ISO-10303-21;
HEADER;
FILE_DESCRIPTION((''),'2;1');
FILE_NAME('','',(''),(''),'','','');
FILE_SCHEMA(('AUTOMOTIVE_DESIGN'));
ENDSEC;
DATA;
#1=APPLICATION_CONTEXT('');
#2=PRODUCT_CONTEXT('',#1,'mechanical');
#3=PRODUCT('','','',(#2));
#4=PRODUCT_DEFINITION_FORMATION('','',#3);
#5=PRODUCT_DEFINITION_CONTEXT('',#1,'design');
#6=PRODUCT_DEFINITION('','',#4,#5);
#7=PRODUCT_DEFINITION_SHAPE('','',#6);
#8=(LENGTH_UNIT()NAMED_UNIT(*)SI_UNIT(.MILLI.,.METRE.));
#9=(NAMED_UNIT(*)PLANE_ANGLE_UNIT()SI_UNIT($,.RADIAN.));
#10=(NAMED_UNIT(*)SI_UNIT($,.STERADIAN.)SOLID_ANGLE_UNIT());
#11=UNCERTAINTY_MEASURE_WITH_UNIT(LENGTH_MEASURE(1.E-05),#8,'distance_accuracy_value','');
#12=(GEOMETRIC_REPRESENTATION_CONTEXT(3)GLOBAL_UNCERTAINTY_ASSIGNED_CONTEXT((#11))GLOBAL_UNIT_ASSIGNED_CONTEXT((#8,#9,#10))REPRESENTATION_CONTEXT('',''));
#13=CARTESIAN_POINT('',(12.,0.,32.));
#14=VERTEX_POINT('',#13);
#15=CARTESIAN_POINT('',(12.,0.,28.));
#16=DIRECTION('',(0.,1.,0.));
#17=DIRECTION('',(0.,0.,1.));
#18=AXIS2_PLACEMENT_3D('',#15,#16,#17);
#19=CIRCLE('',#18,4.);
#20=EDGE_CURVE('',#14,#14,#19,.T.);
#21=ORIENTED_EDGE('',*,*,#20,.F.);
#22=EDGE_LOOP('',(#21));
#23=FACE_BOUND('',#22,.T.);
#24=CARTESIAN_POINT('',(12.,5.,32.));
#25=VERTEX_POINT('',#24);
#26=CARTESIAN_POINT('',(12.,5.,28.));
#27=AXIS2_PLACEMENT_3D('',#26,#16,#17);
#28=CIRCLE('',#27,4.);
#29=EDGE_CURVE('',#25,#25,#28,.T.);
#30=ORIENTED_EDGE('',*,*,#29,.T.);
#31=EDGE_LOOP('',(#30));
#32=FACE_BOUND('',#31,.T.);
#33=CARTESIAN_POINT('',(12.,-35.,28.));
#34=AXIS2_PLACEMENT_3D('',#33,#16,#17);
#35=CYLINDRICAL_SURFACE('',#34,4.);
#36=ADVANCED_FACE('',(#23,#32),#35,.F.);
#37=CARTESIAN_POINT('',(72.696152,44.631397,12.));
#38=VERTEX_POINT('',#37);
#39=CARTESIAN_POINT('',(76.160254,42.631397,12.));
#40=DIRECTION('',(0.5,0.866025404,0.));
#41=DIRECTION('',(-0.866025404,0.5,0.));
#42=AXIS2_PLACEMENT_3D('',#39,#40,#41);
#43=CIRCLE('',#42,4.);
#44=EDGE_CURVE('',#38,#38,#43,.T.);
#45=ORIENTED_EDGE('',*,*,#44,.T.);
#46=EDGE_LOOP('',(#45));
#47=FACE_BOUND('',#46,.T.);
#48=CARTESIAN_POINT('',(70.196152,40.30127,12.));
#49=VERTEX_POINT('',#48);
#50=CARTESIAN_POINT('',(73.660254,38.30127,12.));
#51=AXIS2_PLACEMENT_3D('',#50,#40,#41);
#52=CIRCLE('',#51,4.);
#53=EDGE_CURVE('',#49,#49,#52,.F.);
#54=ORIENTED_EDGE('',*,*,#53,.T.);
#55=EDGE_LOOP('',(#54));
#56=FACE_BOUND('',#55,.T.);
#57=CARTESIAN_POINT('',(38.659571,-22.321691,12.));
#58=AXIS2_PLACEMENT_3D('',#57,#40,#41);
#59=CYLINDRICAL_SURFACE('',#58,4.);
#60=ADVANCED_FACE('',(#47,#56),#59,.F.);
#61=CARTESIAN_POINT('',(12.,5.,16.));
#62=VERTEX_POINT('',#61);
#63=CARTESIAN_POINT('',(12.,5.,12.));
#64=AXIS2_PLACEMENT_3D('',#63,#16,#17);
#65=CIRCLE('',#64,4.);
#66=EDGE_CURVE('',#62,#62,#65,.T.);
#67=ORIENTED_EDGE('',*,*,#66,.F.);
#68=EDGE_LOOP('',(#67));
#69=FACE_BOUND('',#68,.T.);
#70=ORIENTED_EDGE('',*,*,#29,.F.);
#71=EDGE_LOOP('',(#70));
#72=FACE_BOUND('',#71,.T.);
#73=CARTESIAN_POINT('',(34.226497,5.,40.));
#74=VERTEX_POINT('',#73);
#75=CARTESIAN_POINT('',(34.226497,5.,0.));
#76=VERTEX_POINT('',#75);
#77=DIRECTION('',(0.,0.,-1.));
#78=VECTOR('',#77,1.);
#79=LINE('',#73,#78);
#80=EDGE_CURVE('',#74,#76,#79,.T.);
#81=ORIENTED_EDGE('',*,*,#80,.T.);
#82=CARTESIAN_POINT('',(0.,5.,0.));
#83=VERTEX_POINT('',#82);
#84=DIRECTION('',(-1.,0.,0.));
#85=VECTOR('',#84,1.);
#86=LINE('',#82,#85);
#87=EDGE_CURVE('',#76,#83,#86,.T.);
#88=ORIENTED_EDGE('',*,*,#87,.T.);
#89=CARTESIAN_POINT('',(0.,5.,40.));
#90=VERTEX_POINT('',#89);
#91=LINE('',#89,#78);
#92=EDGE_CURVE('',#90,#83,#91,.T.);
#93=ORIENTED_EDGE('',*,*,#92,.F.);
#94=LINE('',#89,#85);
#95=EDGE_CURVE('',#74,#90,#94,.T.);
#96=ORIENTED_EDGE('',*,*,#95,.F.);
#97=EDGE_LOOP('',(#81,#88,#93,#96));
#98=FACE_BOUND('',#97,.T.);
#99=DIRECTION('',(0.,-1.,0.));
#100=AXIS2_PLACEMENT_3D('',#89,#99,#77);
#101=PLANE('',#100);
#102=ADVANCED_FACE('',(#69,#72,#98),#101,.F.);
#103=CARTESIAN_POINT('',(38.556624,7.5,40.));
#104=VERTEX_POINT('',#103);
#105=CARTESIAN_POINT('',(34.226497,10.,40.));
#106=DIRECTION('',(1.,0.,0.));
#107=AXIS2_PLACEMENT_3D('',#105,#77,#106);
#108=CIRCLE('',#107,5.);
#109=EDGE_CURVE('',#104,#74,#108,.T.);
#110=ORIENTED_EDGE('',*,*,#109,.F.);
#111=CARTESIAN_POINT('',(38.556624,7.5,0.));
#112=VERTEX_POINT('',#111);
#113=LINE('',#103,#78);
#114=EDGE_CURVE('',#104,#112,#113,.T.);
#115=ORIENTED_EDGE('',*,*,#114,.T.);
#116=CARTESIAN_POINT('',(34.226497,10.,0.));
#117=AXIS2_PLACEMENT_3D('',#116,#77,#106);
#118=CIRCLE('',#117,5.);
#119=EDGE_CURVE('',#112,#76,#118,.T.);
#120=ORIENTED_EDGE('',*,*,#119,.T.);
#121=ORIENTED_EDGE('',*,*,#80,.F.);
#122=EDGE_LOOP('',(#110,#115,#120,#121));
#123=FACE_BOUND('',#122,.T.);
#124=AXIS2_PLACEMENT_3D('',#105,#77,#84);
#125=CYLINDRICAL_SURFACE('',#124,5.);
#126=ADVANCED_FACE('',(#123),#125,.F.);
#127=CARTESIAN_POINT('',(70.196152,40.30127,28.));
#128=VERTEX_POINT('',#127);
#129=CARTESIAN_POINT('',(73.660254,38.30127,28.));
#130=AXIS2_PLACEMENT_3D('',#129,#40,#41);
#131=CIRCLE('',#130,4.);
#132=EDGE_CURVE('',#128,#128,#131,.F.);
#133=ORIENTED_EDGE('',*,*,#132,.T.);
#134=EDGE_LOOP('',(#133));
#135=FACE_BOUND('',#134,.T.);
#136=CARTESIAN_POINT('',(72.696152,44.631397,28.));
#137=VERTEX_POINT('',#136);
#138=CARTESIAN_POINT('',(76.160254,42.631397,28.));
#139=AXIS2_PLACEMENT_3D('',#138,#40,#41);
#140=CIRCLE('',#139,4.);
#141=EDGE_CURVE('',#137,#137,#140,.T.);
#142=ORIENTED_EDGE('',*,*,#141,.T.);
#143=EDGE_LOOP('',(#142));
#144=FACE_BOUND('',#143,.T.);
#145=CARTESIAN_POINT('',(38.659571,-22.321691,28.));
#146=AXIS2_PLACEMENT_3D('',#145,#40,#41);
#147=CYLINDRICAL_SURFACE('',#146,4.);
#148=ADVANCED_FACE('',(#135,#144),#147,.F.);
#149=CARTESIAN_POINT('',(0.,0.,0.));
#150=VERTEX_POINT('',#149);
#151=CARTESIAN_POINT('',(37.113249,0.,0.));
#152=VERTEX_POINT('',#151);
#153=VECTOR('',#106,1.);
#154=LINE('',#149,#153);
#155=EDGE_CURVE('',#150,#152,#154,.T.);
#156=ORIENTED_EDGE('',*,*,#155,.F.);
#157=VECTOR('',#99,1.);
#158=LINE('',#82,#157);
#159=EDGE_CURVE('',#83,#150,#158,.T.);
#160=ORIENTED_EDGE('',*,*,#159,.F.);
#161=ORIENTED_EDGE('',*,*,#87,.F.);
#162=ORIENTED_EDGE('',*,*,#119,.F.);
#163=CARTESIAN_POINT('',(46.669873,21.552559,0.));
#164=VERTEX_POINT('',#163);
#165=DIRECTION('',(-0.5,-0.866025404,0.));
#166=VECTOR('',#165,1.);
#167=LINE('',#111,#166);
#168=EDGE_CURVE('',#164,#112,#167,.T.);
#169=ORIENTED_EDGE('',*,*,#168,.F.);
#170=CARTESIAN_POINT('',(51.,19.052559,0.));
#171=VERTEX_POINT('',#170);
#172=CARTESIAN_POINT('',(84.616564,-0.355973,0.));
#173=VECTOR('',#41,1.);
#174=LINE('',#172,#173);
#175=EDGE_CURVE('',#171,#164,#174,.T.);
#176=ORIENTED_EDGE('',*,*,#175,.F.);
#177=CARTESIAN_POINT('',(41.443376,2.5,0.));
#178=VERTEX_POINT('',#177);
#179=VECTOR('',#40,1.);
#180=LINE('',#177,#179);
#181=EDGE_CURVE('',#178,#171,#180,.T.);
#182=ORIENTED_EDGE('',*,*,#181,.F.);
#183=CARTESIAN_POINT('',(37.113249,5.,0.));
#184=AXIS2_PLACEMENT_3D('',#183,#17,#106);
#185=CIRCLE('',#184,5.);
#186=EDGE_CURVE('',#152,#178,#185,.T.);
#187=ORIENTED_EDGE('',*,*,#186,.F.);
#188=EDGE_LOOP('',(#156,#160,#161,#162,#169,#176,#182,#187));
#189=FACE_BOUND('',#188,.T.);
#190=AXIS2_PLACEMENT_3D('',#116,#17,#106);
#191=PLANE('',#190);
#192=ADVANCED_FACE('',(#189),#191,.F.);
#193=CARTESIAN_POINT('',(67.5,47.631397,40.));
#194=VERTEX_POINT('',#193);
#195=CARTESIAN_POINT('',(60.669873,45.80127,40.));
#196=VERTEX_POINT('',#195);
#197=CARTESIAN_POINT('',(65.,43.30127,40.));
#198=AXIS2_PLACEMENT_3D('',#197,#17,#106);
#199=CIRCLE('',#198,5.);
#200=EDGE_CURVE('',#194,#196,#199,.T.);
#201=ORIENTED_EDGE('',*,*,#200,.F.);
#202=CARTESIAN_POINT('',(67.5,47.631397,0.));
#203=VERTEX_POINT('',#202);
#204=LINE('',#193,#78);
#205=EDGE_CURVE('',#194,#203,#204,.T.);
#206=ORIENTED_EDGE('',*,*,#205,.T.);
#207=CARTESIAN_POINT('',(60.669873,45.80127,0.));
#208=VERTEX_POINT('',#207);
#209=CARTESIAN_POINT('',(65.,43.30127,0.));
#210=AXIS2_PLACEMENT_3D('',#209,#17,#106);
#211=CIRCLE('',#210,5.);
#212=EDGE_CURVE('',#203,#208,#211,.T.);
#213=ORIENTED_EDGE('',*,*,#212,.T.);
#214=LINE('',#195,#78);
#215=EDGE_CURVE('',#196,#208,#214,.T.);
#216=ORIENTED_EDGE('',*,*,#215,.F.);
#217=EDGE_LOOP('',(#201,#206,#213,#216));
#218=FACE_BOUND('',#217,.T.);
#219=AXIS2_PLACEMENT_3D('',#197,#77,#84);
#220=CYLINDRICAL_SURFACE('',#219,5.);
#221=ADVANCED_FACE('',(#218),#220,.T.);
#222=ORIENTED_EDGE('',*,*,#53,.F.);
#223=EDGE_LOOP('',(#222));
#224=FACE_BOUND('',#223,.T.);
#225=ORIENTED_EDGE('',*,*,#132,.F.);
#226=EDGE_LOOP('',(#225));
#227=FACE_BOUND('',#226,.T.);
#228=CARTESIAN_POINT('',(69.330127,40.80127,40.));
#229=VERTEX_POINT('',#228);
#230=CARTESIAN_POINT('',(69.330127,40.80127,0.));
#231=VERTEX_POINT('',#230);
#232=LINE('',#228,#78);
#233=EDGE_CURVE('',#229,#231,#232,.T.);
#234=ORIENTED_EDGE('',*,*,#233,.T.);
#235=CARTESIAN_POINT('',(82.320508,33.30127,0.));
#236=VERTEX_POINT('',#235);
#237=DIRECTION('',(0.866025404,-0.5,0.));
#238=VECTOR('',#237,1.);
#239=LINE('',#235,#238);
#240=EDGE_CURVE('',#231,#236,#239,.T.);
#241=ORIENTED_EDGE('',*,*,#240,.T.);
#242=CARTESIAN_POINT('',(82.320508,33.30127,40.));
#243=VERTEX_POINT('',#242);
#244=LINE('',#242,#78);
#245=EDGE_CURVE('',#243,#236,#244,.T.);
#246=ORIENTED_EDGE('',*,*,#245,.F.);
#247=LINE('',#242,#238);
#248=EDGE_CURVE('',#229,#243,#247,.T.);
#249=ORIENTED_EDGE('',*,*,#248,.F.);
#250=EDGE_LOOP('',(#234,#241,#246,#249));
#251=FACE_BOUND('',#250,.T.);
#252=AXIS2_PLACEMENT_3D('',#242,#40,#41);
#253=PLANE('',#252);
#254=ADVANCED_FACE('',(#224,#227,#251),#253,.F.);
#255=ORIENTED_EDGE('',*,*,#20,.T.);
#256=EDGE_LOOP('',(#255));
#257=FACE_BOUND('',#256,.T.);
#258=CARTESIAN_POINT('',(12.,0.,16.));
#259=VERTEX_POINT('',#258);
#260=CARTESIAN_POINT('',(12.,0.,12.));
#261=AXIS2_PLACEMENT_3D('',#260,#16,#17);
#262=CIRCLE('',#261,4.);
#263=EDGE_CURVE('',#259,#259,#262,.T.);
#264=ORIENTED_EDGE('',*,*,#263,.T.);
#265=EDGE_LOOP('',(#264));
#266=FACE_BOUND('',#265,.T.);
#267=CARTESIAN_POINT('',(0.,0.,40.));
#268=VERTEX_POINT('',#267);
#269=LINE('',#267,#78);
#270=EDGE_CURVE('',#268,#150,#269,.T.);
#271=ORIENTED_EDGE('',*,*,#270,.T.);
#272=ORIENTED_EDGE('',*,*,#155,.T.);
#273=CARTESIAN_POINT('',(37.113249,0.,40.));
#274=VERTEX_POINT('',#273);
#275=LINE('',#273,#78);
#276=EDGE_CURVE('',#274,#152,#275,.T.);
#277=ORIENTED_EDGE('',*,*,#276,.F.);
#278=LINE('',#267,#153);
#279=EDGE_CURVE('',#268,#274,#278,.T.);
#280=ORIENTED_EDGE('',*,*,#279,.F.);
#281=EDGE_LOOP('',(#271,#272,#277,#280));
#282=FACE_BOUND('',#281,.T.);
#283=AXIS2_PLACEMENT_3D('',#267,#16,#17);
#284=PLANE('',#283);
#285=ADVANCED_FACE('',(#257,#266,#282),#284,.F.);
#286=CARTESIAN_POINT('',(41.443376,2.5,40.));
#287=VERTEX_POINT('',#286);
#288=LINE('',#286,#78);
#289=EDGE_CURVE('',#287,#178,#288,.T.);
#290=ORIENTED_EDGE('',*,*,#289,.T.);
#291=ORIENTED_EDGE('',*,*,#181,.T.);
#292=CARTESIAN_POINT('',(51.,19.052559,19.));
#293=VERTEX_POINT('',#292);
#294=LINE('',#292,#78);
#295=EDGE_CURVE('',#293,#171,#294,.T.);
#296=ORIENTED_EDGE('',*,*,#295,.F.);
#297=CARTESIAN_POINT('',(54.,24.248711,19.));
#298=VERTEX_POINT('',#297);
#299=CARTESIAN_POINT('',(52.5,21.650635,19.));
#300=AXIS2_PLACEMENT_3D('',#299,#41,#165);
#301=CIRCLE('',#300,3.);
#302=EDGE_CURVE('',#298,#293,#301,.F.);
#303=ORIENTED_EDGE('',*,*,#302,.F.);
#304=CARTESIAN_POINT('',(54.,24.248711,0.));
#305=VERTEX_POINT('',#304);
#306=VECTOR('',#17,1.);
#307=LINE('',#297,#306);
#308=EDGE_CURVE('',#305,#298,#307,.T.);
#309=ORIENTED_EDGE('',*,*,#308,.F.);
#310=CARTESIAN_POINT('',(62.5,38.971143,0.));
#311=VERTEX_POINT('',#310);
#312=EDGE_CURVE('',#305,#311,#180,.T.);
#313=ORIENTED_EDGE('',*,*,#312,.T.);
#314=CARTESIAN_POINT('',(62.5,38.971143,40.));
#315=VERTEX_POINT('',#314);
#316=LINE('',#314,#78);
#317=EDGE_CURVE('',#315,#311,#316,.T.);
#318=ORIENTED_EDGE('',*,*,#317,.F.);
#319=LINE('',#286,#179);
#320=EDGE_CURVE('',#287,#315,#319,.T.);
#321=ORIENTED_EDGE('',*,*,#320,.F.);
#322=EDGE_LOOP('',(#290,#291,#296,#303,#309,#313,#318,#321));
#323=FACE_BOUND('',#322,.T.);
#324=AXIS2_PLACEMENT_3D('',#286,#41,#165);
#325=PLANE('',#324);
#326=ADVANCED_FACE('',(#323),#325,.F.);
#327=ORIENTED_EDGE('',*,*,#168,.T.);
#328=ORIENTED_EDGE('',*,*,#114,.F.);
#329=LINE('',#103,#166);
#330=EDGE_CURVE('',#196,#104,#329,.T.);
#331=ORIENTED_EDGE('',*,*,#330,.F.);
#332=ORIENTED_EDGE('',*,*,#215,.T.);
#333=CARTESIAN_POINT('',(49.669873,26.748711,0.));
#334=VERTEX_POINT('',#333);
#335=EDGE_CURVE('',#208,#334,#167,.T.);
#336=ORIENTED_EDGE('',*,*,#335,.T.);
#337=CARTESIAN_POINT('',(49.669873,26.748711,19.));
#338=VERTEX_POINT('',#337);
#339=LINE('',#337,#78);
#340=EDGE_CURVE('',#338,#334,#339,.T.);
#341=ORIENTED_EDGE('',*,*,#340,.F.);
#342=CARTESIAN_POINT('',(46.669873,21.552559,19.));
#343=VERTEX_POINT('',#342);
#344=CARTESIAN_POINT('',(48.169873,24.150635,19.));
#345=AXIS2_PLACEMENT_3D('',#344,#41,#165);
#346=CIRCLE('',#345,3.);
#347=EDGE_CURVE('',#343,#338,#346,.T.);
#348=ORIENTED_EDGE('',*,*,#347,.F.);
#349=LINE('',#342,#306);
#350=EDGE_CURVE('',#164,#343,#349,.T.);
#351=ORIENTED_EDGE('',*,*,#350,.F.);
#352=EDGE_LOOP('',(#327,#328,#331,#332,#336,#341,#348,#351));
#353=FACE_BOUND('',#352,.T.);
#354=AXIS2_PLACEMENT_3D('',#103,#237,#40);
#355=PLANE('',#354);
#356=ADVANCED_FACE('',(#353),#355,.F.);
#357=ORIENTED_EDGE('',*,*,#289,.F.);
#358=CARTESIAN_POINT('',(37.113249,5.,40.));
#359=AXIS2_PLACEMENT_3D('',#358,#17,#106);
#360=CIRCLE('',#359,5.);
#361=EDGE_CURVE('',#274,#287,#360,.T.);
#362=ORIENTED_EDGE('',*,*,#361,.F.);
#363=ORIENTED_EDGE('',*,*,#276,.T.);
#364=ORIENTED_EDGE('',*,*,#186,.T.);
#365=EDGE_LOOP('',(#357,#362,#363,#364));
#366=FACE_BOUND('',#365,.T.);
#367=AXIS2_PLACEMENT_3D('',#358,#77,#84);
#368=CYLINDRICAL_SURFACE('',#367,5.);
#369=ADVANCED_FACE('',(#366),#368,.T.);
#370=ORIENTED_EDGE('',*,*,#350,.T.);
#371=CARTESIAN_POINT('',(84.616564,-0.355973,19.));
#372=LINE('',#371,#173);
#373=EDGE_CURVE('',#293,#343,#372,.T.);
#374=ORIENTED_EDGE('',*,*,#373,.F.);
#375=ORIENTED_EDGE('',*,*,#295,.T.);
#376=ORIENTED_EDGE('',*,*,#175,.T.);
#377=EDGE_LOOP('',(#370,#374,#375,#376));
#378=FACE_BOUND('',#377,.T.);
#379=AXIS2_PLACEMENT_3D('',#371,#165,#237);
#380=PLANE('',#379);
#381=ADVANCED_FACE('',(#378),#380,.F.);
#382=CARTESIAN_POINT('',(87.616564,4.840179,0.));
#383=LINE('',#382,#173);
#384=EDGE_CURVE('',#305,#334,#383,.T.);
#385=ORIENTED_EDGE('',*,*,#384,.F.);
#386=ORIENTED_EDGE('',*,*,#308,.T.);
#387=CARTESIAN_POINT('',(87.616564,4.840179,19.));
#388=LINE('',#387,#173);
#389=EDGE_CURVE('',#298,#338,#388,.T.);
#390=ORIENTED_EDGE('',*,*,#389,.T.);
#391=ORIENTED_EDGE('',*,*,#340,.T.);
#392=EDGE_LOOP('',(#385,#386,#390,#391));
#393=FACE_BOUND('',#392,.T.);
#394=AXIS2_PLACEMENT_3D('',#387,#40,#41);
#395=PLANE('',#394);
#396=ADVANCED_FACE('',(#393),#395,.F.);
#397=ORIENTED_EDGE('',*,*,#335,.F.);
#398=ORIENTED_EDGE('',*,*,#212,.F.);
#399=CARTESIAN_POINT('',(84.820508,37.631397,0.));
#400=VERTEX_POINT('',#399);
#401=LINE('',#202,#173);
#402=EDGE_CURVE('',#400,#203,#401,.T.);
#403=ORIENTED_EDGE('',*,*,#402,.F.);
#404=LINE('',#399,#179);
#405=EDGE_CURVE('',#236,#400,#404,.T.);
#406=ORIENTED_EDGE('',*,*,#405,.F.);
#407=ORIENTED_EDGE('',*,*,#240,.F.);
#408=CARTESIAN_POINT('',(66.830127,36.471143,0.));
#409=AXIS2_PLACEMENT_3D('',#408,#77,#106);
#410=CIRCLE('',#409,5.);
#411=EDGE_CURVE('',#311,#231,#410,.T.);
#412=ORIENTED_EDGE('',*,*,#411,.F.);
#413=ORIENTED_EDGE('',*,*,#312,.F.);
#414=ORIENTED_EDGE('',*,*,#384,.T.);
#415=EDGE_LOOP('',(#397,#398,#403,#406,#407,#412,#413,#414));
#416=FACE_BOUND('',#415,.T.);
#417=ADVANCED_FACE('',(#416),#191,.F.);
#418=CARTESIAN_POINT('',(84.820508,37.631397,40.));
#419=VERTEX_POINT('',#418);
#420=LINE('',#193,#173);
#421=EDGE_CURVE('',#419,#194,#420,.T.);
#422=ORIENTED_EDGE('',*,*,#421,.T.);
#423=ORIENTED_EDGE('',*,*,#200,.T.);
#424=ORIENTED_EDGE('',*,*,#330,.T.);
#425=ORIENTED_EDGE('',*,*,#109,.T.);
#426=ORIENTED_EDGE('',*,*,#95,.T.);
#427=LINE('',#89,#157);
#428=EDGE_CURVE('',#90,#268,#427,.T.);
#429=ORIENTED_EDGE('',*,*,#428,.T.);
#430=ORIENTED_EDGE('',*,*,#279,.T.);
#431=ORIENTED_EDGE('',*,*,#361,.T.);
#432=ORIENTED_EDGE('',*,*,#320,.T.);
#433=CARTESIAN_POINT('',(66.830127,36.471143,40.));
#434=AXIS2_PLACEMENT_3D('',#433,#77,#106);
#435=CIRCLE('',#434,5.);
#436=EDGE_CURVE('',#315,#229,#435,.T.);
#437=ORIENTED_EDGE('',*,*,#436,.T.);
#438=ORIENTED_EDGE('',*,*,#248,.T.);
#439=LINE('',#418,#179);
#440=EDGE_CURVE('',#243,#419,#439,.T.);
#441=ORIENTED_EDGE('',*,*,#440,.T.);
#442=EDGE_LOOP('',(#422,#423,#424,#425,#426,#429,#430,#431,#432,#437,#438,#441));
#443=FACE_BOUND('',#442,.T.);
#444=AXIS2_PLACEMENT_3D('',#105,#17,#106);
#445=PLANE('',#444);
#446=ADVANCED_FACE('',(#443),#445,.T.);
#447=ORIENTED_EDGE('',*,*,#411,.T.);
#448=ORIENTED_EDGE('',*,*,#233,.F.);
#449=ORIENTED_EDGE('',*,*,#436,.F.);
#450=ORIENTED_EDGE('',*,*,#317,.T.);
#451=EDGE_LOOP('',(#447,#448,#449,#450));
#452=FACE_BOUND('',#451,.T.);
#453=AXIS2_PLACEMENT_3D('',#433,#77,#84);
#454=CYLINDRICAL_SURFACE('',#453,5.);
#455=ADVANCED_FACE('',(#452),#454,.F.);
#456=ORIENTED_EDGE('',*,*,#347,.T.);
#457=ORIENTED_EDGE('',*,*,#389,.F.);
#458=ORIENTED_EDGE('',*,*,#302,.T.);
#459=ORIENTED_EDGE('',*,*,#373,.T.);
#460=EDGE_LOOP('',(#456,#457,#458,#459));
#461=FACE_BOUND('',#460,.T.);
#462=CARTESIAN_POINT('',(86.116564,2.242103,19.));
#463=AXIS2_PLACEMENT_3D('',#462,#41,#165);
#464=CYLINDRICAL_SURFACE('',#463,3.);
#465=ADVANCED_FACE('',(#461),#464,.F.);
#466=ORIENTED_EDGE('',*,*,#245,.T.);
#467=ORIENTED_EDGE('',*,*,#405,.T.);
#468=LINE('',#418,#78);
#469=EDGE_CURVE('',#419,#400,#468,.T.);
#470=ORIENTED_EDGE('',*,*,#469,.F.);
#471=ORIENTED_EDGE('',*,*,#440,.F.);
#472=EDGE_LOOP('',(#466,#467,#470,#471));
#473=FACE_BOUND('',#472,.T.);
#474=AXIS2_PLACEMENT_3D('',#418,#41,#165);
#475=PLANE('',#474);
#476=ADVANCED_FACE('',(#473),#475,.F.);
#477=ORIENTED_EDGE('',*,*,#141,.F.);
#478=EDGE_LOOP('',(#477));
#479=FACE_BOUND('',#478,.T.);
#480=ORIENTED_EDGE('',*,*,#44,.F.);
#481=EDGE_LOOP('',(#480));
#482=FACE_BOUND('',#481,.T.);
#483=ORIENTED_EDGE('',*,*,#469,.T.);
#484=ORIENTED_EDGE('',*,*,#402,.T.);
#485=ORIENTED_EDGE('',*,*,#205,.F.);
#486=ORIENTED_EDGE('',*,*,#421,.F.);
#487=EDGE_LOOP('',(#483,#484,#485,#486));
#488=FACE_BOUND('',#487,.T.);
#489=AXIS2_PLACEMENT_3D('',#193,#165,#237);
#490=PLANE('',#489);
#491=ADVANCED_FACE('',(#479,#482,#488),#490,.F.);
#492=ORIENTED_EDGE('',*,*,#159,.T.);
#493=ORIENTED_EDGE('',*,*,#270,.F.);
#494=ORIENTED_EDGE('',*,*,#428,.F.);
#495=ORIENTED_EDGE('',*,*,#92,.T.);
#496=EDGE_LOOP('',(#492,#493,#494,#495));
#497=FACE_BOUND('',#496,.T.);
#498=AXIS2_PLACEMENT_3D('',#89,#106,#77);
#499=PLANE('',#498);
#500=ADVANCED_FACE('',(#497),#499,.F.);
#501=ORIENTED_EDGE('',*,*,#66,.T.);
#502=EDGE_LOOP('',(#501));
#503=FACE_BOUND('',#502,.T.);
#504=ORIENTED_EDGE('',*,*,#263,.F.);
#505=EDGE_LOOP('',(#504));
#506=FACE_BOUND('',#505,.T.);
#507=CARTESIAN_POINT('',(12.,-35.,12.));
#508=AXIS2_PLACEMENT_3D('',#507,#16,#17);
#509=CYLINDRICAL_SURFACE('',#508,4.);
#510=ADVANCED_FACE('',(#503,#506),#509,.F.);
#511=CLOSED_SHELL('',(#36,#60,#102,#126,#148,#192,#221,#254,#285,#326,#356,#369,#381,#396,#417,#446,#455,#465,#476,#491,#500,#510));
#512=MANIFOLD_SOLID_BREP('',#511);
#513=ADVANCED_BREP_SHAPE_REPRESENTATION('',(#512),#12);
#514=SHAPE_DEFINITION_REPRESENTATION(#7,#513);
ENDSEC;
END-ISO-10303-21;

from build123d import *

# Parameters (mm, degrees)
BOSS_EXTRUDE1_DEPTH = 40
SKETCH2_R           = 4
CUT_EXTRUDE1_DEPTH  = 40
CUT_EXTRUDE2_REACH  = 97.306
CUT_EXTRUDE3_REACH  = 91.766
SKETCH4_R           = 4


with BuildPart() as part:
    # Sketch1 → Boss-Extrude1 (new body)
    with BuildSketch(Plane.XY):
        with BuildLine():
            Line((0, 5), (0, 0))
            Line((0, 0), (37.113248654, 0))
            ThreePointArc((37.113248654, 0), (39.613248654, 0.669872981), (41.443375673, 2.5))
            Line((41.443375673, 2.5), (62.5, 38.97114317))
            ThreePointArc((62.5, 38.97114317), (65.536031793, 41.300772302), (69.330127019, 40.801270189))
            Line((69.330127019, 40.801270189), (82.320508076, 33.301270189))
            Line((82.320508076, 33.301270189), (84.820508076, 37.631397208))
            Line((84.820508076, 37.631397208), (67.5, 47.631397208))
            ThreePointArc((67.5, 47.631397208), (63.705904774, 48.130899321), (60.669872981, 45.801270189))
            Line((60.669872981, 45.801270189), (38.556624327, 7.5))
            ThreePointArc((38.556624327, 7.5), (36.726497308, 5.669872981), (34.226497308, 5))
            Line((34.226497308, 5), (0, 5))
        make_face()
    extrude(amount=BOSS_EXTRUDE1_DEPTH)

    # Sketch2 → Cut-Extrude1 (cut)
    with BuildSketch(Plane(origin=(0, 5, 0), x_dir=(1, 0, 0), z_dir=(0, 1, 0))):
        with Locations(Location((12, -12, 0), (0, 0, 270))):
            Circle(SKETCH2_R)
        with Locations(Location((12, -28, 0), (0, 0, 270))):
            Circle(SKETCH2_R)
    extrude(amount=-CUT_EXTRUDE1_DEPTH, mode=Mode.SUBTRACT)

    # Sketch3 → Cut-Extrude2 (cut, up to next)
    with BuildSketch(Plane(origin=(25.669872981, -14.820508076, 0), x_dir=(0, 0, 1), z_dir=(-0.86602540378444, 0.49999999999999784, 0)), mode=Mode.PRIVATE) as cut_extrude2_sk1:
        with BuildLine():
            Line((19, 48), (0, 48))
            Line((0, 48), (0, 42))
            Line((0, 42), (19, 42))
            ThreePointArc((19, 42), (22, 45), (19, 48))
        make_face()
    cut_extrude2_tool1 = extrude(cut_extrude2_sk1.sketch, amount=-CUT_EXTRUDE2_REACH, mode=Mode.PRIVATE) & part.part
    add(cut_extrude2_tool1.solids().sort_by_distance((48.169873, 24.150635, 10.688594))[0], mode=Mode.SUBTRACT)

    # Sketch4 → Cut-Extrude3 (cut, up to next)
    with BuildSketch(Plane(origin=(37.5, 64.951905284, 0), x_dir=(0.8660254037844429, -0.49999999999999284, 0), z_dir=(0.49999999999999284, 0.8660254037844429, 0)), mode=Mode.PRIVATE) as cut_extrude3_sk1:
        with Locations(Location((44.641016151, -28, 0), (0, 0, 180))):
            Circle(SKETCH4_R)
    cut_extrude3_tool1 = extrude(cut_extrude3_sk1.sketch, amount=-CUT_EXTRUDE3_REACH, mode=Mode.PRIVATE) & part.part
    # Sketch4 → Cut-Extrude3 (cut, up to next)
    with BuildSketch(Plane(origin=(37.5, 64.951905284, 0), x_dir=(0.8660254037844429, -0.49999999999999284, 0), z_dir=(0.49999999999999284, 0.8660254037844429, 0)), mode=Mode.PRIVATE) as cut_extrude3_sk2:
        with Locations(Location((44.641016151, -12, 0), (0, 0, 180))):
            Circle(SKETCH4_R)
    cut_extrude3_tool2 = extrude(cut_extrude3_sk2.sketch, amount=-CUT_EXTRUDE3_REACH, mode=Mode.PRIVATE) & part.part
    add(cut_extrude3_tool1.solids().sort_by_distance((76.160254, 42.631397, 28))[0], mode=Mode.SUBTRACT)
    add(cut_extrude3_tool2.solids().sort_by_distance((76.160254, 42.631397, 12))[0], mode=Mode.SUBTRACT)


solid = part.part
